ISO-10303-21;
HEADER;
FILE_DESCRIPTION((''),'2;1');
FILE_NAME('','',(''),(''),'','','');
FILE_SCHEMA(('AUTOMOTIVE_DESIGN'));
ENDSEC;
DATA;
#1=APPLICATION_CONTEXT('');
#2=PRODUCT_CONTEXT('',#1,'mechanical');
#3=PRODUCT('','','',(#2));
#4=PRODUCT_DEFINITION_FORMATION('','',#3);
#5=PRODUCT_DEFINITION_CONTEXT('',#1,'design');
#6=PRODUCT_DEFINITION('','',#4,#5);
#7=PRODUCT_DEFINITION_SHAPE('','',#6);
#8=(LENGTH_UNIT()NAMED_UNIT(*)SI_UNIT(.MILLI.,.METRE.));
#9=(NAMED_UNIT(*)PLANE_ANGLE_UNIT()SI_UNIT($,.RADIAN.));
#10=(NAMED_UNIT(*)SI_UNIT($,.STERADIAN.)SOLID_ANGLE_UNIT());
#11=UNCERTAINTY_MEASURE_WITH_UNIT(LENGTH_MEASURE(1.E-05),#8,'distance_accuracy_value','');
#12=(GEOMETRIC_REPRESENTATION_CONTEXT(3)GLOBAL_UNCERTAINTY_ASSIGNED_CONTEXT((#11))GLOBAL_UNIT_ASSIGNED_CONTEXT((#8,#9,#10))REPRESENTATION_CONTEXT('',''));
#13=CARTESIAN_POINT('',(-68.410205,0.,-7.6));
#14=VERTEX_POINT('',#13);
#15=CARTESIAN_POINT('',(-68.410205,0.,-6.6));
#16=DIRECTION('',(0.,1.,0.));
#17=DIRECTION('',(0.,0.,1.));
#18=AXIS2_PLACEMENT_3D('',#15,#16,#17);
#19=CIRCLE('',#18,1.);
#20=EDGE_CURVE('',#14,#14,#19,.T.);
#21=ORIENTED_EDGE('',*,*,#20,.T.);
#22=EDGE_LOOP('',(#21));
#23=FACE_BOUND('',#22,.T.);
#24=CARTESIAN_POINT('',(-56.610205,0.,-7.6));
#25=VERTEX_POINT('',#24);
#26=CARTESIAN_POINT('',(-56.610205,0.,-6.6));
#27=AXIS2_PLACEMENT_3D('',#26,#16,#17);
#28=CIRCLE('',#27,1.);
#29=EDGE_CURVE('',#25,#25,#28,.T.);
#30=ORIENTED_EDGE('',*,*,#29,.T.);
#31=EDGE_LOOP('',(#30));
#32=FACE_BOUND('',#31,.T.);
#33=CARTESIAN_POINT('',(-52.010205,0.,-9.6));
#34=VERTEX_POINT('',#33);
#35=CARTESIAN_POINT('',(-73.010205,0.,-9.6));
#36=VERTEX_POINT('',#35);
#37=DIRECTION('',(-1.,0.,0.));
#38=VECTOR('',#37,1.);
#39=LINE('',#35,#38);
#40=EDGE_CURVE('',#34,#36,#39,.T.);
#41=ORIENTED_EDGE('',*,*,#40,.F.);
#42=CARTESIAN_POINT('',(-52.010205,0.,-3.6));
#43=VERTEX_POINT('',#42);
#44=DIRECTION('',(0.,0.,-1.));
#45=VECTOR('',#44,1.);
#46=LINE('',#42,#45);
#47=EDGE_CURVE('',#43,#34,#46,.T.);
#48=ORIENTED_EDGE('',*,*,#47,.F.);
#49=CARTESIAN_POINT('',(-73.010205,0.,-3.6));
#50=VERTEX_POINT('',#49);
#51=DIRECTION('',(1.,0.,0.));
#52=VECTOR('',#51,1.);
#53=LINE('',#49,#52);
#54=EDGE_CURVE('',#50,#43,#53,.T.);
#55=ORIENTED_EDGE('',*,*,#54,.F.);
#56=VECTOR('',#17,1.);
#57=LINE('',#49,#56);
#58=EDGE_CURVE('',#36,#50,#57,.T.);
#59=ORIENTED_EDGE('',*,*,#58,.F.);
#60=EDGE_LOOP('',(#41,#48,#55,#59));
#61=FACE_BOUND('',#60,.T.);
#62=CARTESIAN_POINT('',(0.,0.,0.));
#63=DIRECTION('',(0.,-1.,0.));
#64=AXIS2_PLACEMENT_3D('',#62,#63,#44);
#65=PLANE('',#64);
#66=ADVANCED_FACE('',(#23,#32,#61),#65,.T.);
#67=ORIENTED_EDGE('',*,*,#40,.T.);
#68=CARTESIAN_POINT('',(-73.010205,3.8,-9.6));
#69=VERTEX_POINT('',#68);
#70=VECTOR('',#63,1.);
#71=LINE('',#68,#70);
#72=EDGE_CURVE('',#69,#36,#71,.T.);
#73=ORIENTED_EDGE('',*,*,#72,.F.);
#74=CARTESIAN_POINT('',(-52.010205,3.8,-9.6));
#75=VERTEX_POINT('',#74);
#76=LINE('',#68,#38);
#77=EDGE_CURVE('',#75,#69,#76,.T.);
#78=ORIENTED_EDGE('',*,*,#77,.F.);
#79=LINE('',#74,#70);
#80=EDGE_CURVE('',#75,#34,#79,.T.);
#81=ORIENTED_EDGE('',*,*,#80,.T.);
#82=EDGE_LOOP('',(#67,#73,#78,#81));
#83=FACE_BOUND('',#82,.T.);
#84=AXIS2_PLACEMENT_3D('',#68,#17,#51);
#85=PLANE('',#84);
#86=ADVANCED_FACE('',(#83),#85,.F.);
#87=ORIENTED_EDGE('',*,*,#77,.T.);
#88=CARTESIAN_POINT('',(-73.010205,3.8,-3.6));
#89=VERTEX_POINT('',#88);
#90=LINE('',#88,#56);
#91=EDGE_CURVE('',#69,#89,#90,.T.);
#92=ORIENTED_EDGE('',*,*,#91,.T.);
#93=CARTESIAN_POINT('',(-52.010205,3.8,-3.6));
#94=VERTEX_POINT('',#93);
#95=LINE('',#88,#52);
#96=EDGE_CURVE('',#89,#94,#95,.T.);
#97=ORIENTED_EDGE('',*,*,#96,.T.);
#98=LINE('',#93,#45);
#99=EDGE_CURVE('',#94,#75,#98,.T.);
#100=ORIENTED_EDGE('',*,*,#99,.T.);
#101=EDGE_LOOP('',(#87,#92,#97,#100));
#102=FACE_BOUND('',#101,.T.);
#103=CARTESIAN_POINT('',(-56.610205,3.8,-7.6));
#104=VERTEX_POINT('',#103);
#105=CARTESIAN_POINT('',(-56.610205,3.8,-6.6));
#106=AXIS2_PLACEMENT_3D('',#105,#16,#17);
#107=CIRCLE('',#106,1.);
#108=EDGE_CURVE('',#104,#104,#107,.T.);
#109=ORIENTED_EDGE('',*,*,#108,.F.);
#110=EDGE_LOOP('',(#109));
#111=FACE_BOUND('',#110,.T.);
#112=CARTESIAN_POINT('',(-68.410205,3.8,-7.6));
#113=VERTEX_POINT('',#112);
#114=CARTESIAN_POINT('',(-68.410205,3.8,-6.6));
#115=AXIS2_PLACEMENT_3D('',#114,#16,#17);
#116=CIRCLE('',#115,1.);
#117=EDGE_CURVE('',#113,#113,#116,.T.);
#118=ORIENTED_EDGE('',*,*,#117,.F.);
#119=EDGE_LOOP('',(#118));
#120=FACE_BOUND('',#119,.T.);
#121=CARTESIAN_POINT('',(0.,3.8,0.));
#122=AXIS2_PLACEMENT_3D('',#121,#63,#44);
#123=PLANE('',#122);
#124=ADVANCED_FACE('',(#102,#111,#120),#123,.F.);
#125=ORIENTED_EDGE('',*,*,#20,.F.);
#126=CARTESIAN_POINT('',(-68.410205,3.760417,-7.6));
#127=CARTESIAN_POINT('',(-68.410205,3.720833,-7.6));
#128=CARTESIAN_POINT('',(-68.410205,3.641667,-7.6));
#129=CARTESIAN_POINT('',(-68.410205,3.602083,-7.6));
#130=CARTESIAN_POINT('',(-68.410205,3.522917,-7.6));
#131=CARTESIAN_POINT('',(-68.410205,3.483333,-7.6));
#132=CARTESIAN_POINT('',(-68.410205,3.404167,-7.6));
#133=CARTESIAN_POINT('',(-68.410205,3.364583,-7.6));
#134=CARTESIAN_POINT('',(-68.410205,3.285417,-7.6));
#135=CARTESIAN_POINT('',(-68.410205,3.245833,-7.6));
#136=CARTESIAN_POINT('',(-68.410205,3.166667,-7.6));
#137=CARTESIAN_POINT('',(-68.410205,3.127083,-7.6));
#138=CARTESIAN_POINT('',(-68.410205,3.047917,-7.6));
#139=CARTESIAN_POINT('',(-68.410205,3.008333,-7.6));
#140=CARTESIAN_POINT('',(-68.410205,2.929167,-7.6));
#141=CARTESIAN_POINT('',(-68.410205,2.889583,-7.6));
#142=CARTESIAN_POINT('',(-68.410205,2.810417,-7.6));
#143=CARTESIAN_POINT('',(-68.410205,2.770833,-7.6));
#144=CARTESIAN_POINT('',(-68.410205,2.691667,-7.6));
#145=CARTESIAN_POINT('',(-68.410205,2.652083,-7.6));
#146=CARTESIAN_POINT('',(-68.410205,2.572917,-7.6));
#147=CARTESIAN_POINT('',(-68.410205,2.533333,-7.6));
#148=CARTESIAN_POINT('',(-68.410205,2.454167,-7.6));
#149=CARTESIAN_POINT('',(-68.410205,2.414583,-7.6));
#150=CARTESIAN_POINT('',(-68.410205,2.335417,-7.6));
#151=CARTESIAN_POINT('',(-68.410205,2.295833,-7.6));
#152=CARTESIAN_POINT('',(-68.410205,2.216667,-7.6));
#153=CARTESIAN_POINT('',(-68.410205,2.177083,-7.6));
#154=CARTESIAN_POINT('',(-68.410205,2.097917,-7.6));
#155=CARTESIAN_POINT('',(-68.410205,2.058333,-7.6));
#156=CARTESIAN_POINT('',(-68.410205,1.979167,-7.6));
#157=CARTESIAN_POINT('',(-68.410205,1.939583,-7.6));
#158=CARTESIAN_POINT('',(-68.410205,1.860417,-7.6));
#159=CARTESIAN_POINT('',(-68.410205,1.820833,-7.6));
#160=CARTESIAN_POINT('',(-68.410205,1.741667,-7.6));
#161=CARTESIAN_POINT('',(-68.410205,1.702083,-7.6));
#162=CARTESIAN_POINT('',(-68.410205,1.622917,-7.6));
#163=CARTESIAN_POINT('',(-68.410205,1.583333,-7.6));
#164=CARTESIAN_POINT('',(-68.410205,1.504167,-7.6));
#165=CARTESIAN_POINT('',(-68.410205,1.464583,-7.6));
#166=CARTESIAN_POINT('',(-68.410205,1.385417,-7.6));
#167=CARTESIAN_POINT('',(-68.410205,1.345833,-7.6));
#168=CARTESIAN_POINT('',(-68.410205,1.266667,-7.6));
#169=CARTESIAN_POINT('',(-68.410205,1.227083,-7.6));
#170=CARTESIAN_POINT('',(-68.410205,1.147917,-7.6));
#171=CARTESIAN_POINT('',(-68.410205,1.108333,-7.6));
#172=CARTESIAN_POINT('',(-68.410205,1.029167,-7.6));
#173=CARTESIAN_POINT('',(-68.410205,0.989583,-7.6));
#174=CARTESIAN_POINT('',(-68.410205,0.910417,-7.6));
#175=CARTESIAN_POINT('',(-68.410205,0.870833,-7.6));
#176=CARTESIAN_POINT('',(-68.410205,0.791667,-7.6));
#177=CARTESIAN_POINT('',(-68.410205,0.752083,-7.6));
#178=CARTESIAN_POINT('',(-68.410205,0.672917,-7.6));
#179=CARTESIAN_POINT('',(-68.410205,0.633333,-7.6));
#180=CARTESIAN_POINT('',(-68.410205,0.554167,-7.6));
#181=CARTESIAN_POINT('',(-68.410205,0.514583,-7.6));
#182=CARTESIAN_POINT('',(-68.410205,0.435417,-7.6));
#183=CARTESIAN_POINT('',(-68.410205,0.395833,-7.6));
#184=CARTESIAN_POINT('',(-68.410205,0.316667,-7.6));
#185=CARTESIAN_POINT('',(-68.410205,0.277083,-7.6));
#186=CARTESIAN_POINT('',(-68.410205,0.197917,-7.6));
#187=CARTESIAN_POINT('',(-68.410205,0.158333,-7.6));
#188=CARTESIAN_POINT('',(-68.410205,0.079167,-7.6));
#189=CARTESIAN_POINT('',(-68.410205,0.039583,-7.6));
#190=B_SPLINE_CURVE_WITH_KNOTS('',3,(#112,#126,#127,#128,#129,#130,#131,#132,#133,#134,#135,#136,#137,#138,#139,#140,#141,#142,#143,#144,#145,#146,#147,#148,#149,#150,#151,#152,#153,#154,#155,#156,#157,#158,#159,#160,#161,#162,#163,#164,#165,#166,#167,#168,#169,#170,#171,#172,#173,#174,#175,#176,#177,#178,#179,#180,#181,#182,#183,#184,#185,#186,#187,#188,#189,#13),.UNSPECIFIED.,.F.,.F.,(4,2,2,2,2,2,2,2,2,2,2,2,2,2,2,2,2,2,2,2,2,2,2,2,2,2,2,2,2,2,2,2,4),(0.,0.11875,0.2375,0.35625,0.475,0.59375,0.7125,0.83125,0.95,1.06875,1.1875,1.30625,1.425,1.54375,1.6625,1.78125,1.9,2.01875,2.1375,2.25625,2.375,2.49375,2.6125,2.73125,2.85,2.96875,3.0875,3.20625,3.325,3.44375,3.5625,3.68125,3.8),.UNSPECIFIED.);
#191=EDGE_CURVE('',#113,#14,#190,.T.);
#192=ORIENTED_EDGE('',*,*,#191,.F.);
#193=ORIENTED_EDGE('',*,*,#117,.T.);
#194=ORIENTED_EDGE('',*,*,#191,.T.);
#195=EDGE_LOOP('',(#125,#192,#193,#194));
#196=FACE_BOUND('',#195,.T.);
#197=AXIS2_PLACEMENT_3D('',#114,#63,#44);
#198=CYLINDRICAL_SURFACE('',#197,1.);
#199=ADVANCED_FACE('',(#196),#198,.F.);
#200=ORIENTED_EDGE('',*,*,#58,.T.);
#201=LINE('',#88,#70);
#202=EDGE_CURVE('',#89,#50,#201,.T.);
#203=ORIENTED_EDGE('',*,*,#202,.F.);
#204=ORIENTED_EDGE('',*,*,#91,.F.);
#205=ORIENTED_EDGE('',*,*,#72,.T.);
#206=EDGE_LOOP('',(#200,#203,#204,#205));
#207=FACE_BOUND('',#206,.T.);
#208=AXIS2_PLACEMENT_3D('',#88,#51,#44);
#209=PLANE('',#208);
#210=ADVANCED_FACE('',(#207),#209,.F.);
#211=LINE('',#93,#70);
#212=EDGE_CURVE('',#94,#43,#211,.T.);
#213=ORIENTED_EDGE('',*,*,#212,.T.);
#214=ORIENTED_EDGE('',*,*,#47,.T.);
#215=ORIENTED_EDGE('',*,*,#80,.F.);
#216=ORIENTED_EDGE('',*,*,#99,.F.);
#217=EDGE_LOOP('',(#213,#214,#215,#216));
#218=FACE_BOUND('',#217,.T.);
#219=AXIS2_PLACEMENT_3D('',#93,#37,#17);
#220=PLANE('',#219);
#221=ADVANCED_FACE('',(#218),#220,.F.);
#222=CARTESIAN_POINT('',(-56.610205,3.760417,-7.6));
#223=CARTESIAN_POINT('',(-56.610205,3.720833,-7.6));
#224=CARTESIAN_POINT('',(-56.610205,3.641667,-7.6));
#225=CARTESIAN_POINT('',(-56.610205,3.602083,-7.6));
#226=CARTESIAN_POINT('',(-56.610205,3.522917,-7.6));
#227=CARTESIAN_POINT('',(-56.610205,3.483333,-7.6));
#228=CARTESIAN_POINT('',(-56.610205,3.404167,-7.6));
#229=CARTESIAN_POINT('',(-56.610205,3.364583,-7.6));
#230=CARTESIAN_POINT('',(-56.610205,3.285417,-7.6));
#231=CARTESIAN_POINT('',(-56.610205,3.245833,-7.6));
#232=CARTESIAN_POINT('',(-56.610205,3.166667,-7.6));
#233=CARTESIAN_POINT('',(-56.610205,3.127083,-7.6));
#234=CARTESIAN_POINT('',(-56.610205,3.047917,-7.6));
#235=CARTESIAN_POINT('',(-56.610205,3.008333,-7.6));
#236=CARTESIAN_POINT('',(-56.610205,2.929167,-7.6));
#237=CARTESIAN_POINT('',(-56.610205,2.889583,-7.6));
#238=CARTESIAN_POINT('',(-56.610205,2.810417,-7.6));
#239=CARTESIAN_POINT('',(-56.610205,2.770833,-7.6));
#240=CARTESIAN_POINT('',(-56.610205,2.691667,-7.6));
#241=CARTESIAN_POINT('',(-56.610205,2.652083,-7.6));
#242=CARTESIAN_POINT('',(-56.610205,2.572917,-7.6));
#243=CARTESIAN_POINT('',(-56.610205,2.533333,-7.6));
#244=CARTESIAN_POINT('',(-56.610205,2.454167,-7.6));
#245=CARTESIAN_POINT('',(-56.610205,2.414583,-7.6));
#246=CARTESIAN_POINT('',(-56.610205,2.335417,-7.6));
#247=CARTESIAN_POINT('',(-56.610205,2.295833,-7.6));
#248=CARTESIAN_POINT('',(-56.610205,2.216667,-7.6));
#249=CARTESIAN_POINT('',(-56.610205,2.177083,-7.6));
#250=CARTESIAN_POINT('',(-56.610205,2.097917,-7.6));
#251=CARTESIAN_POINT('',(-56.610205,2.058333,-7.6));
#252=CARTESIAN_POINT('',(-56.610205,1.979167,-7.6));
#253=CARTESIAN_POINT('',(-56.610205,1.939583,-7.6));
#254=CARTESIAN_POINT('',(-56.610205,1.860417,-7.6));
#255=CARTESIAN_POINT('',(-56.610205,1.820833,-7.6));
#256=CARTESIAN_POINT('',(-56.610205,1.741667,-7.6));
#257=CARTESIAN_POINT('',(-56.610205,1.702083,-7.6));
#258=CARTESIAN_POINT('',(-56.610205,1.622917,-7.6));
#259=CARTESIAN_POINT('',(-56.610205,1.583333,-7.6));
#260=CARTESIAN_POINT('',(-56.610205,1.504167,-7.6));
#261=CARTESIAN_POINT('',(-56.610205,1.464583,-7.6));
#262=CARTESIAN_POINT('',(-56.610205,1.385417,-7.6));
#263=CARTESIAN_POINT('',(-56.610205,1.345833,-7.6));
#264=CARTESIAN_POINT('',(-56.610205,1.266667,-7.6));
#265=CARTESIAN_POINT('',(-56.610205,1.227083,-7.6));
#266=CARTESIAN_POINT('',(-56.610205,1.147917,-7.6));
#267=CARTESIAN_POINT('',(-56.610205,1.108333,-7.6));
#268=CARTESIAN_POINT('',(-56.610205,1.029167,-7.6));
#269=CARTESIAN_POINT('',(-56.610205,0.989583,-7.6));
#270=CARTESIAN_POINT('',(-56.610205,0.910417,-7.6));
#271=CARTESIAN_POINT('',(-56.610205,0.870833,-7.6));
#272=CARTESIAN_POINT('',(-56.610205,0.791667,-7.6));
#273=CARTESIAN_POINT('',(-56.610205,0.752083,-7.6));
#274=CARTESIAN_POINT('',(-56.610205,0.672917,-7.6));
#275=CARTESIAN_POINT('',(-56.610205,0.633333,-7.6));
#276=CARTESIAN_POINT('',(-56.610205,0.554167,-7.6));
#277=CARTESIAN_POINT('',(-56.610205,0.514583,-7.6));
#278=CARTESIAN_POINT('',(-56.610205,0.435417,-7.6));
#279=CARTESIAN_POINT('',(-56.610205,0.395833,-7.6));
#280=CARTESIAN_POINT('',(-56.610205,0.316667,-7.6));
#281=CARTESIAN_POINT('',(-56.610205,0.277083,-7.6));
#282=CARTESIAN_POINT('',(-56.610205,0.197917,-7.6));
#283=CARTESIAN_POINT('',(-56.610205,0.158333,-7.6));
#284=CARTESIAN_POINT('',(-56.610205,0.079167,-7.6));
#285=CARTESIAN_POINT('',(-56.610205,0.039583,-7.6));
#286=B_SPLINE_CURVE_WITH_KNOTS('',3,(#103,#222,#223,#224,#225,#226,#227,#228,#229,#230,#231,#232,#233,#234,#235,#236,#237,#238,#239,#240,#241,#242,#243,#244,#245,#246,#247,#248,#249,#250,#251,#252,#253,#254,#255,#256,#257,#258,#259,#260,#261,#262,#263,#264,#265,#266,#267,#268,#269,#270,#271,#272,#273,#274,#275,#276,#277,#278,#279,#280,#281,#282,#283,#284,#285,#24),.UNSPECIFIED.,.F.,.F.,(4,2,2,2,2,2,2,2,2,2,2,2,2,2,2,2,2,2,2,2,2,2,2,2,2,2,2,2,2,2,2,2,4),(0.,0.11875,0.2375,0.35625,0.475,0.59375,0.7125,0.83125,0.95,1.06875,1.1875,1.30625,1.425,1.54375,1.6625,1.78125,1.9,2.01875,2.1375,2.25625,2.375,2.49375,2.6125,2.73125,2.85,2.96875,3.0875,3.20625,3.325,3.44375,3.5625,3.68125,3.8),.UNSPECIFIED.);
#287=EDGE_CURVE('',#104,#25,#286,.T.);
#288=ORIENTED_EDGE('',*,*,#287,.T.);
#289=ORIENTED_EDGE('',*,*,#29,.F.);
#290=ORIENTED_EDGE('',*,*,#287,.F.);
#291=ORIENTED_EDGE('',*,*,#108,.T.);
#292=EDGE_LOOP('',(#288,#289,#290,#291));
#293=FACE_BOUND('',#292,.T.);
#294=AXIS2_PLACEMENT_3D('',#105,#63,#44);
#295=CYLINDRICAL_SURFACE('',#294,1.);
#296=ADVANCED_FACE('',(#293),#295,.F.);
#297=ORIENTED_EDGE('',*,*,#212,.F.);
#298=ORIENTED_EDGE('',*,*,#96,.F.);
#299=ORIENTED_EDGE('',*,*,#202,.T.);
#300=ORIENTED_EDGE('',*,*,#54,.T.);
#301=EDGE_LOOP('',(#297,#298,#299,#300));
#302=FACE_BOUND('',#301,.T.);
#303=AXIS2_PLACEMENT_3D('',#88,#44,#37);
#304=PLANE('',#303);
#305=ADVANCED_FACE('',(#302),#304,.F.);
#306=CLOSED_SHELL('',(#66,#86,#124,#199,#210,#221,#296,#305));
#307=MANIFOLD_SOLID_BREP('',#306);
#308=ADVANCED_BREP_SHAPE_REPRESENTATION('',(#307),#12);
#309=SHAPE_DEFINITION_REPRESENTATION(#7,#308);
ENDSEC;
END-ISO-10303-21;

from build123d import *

# Parameters (mm, degrees)
SKETCH1_W           = 21
SKETCH1_H           = 6
SKETCH1_R           = 1
BOSS_EXTRUDE1_DEPTH = 3.8


with BuildPart() as part:
    # Sketch1 → Boss-Extrude1 (new body)
    with BuildSketch(Plane(origin=(0, 0, 0), x_dir=(1, 0, 0), z_dir=(0, 1, 0))):
        with Locations((-62.510204931, 6.6)):
            Rectangle(SKETCH1_W, SKETCH1_H)
        with Locations(Location((-56.610204931, 6.6, 0), (0, 0, 90))):
            Circle(SKETCH1_R, mode=Mode.SUBTRACT)
        with Locations(Location((-68.410204931, 6.6, 0), (0, 0, 90))):
            Circle(SKETCH1_R, mode=Mode.SUBTRACT)
    extrude(amount=BOSS_EXTRUDE1_DEPTH)


solid = part.part
